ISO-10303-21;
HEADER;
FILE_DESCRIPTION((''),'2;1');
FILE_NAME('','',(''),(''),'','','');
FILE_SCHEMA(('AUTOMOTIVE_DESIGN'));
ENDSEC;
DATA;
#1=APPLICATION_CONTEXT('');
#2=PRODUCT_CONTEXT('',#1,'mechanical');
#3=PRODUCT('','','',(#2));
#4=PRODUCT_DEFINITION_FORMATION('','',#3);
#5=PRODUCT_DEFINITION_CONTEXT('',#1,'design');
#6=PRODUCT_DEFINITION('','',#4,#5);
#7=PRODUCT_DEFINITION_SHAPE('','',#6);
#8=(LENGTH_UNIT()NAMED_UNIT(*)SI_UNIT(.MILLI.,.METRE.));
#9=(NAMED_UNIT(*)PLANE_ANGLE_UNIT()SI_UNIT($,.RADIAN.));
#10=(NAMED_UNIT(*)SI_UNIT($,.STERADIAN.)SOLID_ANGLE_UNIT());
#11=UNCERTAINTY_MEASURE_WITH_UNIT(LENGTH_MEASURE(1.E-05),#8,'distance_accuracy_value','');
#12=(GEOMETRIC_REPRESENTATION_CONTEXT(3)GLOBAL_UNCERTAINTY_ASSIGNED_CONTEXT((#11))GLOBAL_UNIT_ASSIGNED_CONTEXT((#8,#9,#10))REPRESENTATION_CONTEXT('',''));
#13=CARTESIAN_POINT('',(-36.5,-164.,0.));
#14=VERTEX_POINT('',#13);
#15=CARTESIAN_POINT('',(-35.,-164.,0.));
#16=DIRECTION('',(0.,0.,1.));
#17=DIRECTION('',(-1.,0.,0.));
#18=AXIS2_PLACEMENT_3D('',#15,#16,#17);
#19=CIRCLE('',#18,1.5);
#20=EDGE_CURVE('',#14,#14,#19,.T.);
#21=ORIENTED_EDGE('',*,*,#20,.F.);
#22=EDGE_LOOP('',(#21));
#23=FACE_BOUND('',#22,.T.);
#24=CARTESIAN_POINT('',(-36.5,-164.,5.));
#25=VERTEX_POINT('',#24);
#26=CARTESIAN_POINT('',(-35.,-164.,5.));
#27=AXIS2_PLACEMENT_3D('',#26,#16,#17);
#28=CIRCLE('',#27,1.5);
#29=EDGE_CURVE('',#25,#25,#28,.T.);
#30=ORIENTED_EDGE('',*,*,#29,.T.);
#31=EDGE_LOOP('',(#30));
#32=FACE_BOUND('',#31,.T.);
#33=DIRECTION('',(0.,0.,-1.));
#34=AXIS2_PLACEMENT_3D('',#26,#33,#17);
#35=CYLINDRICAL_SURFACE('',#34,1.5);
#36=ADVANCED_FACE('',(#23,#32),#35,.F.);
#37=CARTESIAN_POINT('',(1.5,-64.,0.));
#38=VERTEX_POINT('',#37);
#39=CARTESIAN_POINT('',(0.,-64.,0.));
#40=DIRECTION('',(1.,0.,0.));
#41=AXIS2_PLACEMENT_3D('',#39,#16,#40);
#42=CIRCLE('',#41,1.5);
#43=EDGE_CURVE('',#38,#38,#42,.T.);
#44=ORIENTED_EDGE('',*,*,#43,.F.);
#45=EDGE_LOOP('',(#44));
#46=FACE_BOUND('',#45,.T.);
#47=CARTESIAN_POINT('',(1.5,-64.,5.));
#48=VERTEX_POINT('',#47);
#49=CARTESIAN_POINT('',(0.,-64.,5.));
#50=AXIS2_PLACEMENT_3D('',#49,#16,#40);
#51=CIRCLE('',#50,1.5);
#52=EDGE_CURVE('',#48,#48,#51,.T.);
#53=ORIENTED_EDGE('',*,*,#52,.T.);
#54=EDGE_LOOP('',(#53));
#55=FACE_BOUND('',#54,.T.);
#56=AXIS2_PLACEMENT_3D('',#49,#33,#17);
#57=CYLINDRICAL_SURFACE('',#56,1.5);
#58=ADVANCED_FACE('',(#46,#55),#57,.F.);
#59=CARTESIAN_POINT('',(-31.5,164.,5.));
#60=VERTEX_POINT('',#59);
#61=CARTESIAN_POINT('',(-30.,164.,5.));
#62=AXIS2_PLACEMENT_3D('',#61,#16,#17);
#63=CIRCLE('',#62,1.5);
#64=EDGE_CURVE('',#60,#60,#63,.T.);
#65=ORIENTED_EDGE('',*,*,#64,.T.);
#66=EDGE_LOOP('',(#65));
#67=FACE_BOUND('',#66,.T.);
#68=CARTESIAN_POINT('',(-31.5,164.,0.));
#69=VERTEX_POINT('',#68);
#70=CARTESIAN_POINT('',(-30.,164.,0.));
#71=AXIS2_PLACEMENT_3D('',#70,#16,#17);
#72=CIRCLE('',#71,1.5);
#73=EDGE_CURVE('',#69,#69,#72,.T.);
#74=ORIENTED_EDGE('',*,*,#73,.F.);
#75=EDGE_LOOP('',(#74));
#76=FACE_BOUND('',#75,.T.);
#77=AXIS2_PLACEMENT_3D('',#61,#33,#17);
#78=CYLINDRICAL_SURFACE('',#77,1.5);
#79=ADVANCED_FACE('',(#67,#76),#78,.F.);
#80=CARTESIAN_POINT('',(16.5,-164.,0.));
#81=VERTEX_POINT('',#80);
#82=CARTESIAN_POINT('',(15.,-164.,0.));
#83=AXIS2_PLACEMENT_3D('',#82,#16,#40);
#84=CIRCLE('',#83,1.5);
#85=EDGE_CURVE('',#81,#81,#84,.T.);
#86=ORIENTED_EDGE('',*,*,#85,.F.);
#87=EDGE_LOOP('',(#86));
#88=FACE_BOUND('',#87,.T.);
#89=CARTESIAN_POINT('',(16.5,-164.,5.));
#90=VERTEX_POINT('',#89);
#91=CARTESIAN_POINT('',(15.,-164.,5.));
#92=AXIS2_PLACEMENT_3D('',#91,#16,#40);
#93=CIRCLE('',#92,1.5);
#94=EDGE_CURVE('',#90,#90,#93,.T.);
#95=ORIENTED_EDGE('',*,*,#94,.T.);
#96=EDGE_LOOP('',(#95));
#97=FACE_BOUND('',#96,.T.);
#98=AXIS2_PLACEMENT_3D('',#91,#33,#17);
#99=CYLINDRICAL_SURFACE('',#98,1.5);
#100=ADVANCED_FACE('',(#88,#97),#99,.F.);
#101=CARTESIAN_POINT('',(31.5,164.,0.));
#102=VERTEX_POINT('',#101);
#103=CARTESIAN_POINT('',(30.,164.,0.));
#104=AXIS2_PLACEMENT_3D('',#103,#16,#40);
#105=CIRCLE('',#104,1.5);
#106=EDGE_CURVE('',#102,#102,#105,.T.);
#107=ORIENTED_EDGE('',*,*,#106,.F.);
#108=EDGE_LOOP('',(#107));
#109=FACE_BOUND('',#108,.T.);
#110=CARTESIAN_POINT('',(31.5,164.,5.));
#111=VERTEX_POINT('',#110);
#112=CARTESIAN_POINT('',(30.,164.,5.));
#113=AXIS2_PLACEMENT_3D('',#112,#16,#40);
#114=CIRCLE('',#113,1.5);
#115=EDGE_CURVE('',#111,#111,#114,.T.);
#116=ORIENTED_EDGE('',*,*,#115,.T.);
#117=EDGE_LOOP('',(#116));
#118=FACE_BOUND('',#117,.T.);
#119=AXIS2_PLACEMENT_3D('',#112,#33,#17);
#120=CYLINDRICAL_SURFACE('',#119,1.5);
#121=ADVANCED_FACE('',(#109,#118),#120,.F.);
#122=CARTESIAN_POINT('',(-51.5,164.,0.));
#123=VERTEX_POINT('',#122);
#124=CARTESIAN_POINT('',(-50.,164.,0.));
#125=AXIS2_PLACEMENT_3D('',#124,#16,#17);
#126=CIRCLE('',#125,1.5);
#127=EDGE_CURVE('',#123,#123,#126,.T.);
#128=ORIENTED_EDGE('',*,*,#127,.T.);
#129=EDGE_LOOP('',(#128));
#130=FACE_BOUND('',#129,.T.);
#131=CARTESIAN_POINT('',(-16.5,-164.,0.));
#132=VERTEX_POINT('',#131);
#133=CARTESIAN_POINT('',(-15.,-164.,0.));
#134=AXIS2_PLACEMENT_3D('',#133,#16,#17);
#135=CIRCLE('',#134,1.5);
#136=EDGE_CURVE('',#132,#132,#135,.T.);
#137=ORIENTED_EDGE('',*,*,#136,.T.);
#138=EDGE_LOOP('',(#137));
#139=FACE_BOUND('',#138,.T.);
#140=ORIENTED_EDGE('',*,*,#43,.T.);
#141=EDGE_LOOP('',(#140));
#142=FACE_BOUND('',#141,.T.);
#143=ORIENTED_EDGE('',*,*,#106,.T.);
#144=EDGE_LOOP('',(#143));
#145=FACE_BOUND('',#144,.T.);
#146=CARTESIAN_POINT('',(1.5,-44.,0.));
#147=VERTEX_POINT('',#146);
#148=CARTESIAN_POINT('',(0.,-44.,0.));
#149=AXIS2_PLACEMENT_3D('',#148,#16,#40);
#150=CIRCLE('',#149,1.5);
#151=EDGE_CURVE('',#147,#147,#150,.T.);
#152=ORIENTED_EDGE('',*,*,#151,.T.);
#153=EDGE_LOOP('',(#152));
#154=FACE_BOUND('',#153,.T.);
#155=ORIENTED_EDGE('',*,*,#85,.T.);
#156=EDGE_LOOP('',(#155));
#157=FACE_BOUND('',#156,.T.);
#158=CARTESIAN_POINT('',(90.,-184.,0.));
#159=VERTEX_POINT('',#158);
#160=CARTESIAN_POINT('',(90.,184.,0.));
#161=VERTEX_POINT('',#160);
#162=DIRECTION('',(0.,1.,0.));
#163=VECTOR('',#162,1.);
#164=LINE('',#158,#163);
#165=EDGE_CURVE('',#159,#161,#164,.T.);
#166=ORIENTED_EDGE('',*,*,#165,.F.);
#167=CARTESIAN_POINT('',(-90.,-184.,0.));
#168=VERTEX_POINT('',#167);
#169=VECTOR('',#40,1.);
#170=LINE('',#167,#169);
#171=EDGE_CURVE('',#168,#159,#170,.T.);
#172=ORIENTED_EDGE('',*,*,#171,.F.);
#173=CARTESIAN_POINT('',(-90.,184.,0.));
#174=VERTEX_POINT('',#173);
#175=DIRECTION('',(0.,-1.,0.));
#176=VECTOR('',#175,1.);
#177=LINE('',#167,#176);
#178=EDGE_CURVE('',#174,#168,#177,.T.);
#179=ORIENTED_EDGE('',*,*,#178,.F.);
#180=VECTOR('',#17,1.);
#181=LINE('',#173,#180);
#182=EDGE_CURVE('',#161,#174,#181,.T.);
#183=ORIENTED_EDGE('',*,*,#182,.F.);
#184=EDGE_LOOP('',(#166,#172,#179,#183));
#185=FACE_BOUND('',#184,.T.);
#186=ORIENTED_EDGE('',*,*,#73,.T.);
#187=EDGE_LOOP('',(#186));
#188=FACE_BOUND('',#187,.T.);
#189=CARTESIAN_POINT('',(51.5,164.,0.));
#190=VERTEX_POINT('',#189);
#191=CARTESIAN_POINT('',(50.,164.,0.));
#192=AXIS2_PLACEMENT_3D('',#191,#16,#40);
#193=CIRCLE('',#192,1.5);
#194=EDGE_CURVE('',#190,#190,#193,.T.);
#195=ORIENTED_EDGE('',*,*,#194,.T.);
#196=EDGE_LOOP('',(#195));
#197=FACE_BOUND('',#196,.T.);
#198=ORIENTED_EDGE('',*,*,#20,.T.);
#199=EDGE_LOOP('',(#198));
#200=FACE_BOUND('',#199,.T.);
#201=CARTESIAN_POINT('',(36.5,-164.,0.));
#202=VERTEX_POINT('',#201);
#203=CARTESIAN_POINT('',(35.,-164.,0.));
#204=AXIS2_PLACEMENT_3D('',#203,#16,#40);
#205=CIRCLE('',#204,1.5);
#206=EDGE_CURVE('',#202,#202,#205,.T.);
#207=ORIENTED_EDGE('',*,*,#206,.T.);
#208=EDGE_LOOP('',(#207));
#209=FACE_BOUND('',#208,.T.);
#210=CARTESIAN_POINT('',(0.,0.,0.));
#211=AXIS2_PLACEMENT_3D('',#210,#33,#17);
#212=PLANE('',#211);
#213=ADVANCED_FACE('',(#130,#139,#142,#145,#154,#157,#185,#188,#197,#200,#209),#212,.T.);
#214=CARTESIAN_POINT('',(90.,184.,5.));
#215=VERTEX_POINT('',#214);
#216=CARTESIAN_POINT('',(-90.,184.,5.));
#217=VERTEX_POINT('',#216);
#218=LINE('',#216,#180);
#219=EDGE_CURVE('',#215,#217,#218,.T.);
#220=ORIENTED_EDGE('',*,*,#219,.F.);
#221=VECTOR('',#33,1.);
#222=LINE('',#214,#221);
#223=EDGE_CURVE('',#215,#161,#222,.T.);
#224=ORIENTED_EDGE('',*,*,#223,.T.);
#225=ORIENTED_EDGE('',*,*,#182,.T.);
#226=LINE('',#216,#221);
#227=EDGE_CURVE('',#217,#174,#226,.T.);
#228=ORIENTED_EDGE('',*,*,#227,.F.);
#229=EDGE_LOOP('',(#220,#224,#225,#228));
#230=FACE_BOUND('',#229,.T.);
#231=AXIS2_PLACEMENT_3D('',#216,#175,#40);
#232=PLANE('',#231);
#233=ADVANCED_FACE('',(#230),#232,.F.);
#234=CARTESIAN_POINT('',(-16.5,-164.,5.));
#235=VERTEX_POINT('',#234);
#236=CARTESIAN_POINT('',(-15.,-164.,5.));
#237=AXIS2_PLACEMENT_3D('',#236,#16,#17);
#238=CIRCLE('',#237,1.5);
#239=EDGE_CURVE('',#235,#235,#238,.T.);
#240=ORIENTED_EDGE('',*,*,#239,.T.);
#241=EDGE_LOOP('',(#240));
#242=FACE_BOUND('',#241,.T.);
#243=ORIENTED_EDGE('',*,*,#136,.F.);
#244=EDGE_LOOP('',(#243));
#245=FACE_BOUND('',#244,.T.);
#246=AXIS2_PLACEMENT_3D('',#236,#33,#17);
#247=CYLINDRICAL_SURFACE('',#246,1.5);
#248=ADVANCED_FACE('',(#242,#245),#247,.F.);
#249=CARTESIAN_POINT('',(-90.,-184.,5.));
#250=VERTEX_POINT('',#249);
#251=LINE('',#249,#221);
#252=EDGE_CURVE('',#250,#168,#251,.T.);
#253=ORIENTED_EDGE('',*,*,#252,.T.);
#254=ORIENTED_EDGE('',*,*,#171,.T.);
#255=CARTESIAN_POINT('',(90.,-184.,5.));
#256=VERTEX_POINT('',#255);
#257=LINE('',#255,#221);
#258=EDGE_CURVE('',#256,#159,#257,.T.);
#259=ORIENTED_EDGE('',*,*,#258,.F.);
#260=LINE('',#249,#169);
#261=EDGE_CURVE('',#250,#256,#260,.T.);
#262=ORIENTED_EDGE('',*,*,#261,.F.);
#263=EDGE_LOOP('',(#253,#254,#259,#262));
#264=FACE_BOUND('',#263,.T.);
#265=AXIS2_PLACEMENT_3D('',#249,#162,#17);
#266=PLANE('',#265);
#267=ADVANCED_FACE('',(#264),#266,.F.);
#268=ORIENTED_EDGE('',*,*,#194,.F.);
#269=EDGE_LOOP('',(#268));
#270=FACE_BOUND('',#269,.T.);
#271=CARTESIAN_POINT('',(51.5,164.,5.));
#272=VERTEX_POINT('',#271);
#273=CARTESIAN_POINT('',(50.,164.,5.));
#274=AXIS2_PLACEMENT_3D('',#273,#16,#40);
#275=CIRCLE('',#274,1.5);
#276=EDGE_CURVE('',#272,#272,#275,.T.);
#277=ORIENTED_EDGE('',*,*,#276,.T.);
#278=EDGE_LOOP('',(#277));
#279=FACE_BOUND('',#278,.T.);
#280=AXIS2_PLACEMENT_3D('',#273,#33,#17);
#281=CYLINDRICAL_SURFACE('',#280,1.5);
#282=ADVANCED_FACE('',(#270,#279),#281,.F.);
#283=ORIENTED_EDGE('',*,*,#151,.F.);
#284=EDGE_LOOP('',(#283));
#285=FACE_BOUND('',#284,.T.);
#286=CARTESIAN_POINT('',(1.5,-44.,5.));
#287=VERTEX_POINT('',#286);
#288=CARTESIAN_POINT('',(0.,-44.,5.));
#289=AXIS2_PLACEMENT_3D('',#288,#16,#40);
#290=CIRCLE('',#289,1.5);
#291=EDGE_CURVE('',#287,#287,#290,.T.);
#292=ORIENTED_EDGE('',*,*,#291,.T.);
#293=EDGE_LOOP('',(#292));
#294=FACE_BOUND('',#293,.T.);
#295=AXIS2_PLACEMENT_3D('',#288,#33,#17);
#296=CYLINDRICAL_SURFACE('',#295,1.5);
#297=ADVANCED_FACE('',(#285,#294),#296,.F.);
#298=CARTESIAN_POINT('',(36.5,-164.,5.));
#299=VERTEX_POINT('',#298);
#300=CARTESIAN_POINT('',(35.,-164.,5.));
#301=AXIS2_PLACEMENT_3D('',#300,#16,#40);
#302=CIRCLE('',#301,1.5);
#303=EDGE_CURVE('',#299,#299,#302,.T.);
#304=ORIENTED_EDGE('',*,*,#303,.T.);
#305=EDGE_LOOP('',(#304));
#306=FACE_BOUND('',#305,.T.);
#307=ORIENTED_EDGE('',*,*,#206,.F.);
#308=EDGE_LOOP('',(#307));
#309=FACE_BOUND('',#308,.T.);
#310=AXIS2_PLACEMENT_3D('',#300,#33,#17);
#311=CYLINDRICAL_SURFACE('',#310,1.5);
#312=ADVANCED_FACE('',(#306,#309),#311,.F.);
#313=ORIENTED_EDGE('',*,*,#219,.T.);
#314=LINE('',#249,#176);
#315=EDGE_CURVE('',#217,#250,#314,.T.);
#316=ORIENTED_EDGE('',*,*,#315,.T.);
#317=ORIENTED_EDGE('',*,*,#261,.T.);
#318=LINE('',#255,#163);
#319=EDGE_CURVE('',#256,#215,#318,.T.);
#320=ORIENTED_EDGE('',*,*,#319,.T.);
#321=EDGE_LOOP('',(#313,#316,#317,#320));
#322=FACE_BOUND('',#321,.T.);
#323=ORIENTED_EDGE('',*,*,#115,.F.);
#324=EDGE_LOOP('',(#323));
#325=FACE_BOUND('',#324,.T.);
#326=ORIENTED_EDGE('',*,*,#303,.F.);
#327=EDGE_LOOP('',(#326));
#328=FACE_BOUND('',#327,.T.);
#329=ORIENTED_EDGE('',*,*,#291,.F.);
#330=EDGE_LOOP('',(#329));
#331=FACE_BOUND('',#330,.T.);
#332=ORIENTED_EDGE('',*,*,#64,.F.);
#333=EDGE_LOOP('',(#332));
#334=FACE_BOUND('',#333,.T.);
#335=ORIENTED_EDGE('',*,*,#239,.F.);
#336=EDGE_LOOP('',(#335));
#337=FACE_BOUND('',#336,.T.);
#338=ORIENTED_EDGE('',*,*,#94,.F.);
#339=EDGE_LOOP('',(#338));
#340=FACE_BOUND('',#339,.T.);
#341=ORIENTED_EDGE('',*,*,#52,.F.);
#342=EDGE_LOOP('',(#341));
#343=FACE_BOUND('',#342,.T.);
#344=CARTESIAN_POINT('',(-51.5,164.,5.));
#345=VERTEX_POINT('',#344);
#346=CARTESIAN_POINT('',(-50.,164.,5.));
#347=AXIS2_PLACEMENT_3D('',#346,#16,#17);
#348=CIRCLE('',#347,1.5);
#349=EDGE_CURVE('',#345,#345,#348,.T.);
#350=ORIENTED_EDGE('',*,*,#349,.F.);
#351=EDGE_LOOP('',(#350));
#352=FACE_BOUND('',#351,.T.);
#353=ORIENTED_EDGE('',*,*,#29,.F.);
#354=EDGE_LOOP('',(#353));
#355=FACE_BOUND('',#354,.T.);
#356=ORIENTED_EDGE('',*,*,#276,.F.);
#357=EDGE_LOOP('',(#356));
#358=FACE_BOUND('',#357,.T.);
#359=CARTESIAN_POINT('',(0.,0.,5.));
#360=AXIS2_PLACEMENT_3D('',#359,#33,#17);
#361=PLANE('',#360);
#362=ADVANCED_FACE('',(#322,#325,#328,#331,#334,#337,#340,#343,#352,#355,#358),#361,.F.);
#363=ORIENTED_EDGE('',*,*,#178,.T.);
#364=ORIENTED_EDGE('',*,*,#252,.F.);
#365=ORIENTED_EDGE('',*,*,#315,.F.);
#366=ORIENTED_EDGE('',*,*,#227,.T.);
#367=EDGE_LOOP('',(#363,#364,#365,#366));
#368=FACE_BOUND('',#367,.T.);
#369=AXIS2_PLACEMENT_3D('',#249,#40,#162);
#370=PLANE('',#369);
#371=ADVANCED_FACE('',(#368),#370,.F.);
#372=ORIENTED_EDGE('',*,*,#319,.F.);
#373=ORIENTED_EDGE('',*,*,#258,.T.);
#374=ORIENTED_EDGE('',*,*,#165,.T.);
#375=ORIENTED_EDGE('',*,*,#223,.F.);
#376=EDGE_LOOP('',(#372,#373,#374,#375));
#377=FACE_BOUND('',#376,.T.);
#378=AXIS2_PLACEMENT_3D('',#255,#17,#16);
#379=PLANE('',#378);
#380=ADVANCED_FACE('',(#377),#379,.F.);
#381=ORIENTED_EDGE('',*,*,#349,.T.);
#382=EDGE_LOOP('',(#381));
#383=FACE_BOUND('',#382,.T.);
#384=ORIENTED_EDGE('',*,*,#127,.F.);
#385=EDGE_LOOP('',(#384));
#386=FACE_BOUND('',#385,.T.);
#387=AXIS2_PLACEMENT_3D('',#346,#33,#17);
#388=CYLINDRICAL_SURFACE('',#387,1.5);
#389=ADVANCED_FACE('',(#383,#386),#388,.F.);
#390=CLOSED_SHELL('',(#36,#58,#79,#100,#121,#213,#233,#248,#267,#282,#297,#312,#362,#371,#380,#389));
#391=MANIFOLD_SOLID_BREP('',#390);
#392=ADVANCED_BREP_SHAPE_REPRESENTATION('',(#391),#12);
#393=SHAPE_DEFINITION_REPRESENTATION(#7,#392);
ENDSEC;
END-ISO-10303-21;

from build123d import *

# Parameters (mm, degrees)
CROQUIS1_W              = 180
CROQUIS1_H              = 368
CROQUIS1_R              = 1.5
SALIENTE_EXTRUIR1_DEPTH = 5


with BuildPart() as part:
    # Croquis1 → Saliente-Extruir1 (new body)
    with BuildSketch(Plane.XY):
        Rectangle(CROQUIS1_W, CROQUIS1_H)
        with Locations((15, -164)):
            Circle(CROQUIS1_R, mode=Mode.SUBTRACT)
        with Locations((35, -164)):
            Circle(CROQUIS1_R, mode=Mode.SUBTRACT)
        with Locations((-35, -164)):
            Circle(CROQUIS1_R, mode=Mode.SUBTRACT)
        with Locations((-15, -164)):
            Circle(CROQUIS1_R, mode=Mode.SUBTRACT)
        with Locations((30, 164)):
            Circle(CROQUIS1_R, mode=Mode.SUBTRACT)
        with Locations((50, 164)):
            Circle(CROQUIS1_R, mode=Mode.SUBTRACT)
        with Locations((-50, 164)):
            Circle(CROQUIS1_R, mode=Mode.SUBTRACT)
        with Locations((-30, 164)):
            Circle(CROQUIS1_R, mode=Mode.SUBTRACT)
        with Locations((0, -64)):
            Circle(CROQUIS1_R, mode=Mode.SUBTRACT)
        with Locations((0, -44)):
            Circle(CROQUIS1_R, mode=Mode.SUBTRACT)
    extrude(amount=SALIENTE_EXTRUIR1_DEPTH)


solid = part.part
